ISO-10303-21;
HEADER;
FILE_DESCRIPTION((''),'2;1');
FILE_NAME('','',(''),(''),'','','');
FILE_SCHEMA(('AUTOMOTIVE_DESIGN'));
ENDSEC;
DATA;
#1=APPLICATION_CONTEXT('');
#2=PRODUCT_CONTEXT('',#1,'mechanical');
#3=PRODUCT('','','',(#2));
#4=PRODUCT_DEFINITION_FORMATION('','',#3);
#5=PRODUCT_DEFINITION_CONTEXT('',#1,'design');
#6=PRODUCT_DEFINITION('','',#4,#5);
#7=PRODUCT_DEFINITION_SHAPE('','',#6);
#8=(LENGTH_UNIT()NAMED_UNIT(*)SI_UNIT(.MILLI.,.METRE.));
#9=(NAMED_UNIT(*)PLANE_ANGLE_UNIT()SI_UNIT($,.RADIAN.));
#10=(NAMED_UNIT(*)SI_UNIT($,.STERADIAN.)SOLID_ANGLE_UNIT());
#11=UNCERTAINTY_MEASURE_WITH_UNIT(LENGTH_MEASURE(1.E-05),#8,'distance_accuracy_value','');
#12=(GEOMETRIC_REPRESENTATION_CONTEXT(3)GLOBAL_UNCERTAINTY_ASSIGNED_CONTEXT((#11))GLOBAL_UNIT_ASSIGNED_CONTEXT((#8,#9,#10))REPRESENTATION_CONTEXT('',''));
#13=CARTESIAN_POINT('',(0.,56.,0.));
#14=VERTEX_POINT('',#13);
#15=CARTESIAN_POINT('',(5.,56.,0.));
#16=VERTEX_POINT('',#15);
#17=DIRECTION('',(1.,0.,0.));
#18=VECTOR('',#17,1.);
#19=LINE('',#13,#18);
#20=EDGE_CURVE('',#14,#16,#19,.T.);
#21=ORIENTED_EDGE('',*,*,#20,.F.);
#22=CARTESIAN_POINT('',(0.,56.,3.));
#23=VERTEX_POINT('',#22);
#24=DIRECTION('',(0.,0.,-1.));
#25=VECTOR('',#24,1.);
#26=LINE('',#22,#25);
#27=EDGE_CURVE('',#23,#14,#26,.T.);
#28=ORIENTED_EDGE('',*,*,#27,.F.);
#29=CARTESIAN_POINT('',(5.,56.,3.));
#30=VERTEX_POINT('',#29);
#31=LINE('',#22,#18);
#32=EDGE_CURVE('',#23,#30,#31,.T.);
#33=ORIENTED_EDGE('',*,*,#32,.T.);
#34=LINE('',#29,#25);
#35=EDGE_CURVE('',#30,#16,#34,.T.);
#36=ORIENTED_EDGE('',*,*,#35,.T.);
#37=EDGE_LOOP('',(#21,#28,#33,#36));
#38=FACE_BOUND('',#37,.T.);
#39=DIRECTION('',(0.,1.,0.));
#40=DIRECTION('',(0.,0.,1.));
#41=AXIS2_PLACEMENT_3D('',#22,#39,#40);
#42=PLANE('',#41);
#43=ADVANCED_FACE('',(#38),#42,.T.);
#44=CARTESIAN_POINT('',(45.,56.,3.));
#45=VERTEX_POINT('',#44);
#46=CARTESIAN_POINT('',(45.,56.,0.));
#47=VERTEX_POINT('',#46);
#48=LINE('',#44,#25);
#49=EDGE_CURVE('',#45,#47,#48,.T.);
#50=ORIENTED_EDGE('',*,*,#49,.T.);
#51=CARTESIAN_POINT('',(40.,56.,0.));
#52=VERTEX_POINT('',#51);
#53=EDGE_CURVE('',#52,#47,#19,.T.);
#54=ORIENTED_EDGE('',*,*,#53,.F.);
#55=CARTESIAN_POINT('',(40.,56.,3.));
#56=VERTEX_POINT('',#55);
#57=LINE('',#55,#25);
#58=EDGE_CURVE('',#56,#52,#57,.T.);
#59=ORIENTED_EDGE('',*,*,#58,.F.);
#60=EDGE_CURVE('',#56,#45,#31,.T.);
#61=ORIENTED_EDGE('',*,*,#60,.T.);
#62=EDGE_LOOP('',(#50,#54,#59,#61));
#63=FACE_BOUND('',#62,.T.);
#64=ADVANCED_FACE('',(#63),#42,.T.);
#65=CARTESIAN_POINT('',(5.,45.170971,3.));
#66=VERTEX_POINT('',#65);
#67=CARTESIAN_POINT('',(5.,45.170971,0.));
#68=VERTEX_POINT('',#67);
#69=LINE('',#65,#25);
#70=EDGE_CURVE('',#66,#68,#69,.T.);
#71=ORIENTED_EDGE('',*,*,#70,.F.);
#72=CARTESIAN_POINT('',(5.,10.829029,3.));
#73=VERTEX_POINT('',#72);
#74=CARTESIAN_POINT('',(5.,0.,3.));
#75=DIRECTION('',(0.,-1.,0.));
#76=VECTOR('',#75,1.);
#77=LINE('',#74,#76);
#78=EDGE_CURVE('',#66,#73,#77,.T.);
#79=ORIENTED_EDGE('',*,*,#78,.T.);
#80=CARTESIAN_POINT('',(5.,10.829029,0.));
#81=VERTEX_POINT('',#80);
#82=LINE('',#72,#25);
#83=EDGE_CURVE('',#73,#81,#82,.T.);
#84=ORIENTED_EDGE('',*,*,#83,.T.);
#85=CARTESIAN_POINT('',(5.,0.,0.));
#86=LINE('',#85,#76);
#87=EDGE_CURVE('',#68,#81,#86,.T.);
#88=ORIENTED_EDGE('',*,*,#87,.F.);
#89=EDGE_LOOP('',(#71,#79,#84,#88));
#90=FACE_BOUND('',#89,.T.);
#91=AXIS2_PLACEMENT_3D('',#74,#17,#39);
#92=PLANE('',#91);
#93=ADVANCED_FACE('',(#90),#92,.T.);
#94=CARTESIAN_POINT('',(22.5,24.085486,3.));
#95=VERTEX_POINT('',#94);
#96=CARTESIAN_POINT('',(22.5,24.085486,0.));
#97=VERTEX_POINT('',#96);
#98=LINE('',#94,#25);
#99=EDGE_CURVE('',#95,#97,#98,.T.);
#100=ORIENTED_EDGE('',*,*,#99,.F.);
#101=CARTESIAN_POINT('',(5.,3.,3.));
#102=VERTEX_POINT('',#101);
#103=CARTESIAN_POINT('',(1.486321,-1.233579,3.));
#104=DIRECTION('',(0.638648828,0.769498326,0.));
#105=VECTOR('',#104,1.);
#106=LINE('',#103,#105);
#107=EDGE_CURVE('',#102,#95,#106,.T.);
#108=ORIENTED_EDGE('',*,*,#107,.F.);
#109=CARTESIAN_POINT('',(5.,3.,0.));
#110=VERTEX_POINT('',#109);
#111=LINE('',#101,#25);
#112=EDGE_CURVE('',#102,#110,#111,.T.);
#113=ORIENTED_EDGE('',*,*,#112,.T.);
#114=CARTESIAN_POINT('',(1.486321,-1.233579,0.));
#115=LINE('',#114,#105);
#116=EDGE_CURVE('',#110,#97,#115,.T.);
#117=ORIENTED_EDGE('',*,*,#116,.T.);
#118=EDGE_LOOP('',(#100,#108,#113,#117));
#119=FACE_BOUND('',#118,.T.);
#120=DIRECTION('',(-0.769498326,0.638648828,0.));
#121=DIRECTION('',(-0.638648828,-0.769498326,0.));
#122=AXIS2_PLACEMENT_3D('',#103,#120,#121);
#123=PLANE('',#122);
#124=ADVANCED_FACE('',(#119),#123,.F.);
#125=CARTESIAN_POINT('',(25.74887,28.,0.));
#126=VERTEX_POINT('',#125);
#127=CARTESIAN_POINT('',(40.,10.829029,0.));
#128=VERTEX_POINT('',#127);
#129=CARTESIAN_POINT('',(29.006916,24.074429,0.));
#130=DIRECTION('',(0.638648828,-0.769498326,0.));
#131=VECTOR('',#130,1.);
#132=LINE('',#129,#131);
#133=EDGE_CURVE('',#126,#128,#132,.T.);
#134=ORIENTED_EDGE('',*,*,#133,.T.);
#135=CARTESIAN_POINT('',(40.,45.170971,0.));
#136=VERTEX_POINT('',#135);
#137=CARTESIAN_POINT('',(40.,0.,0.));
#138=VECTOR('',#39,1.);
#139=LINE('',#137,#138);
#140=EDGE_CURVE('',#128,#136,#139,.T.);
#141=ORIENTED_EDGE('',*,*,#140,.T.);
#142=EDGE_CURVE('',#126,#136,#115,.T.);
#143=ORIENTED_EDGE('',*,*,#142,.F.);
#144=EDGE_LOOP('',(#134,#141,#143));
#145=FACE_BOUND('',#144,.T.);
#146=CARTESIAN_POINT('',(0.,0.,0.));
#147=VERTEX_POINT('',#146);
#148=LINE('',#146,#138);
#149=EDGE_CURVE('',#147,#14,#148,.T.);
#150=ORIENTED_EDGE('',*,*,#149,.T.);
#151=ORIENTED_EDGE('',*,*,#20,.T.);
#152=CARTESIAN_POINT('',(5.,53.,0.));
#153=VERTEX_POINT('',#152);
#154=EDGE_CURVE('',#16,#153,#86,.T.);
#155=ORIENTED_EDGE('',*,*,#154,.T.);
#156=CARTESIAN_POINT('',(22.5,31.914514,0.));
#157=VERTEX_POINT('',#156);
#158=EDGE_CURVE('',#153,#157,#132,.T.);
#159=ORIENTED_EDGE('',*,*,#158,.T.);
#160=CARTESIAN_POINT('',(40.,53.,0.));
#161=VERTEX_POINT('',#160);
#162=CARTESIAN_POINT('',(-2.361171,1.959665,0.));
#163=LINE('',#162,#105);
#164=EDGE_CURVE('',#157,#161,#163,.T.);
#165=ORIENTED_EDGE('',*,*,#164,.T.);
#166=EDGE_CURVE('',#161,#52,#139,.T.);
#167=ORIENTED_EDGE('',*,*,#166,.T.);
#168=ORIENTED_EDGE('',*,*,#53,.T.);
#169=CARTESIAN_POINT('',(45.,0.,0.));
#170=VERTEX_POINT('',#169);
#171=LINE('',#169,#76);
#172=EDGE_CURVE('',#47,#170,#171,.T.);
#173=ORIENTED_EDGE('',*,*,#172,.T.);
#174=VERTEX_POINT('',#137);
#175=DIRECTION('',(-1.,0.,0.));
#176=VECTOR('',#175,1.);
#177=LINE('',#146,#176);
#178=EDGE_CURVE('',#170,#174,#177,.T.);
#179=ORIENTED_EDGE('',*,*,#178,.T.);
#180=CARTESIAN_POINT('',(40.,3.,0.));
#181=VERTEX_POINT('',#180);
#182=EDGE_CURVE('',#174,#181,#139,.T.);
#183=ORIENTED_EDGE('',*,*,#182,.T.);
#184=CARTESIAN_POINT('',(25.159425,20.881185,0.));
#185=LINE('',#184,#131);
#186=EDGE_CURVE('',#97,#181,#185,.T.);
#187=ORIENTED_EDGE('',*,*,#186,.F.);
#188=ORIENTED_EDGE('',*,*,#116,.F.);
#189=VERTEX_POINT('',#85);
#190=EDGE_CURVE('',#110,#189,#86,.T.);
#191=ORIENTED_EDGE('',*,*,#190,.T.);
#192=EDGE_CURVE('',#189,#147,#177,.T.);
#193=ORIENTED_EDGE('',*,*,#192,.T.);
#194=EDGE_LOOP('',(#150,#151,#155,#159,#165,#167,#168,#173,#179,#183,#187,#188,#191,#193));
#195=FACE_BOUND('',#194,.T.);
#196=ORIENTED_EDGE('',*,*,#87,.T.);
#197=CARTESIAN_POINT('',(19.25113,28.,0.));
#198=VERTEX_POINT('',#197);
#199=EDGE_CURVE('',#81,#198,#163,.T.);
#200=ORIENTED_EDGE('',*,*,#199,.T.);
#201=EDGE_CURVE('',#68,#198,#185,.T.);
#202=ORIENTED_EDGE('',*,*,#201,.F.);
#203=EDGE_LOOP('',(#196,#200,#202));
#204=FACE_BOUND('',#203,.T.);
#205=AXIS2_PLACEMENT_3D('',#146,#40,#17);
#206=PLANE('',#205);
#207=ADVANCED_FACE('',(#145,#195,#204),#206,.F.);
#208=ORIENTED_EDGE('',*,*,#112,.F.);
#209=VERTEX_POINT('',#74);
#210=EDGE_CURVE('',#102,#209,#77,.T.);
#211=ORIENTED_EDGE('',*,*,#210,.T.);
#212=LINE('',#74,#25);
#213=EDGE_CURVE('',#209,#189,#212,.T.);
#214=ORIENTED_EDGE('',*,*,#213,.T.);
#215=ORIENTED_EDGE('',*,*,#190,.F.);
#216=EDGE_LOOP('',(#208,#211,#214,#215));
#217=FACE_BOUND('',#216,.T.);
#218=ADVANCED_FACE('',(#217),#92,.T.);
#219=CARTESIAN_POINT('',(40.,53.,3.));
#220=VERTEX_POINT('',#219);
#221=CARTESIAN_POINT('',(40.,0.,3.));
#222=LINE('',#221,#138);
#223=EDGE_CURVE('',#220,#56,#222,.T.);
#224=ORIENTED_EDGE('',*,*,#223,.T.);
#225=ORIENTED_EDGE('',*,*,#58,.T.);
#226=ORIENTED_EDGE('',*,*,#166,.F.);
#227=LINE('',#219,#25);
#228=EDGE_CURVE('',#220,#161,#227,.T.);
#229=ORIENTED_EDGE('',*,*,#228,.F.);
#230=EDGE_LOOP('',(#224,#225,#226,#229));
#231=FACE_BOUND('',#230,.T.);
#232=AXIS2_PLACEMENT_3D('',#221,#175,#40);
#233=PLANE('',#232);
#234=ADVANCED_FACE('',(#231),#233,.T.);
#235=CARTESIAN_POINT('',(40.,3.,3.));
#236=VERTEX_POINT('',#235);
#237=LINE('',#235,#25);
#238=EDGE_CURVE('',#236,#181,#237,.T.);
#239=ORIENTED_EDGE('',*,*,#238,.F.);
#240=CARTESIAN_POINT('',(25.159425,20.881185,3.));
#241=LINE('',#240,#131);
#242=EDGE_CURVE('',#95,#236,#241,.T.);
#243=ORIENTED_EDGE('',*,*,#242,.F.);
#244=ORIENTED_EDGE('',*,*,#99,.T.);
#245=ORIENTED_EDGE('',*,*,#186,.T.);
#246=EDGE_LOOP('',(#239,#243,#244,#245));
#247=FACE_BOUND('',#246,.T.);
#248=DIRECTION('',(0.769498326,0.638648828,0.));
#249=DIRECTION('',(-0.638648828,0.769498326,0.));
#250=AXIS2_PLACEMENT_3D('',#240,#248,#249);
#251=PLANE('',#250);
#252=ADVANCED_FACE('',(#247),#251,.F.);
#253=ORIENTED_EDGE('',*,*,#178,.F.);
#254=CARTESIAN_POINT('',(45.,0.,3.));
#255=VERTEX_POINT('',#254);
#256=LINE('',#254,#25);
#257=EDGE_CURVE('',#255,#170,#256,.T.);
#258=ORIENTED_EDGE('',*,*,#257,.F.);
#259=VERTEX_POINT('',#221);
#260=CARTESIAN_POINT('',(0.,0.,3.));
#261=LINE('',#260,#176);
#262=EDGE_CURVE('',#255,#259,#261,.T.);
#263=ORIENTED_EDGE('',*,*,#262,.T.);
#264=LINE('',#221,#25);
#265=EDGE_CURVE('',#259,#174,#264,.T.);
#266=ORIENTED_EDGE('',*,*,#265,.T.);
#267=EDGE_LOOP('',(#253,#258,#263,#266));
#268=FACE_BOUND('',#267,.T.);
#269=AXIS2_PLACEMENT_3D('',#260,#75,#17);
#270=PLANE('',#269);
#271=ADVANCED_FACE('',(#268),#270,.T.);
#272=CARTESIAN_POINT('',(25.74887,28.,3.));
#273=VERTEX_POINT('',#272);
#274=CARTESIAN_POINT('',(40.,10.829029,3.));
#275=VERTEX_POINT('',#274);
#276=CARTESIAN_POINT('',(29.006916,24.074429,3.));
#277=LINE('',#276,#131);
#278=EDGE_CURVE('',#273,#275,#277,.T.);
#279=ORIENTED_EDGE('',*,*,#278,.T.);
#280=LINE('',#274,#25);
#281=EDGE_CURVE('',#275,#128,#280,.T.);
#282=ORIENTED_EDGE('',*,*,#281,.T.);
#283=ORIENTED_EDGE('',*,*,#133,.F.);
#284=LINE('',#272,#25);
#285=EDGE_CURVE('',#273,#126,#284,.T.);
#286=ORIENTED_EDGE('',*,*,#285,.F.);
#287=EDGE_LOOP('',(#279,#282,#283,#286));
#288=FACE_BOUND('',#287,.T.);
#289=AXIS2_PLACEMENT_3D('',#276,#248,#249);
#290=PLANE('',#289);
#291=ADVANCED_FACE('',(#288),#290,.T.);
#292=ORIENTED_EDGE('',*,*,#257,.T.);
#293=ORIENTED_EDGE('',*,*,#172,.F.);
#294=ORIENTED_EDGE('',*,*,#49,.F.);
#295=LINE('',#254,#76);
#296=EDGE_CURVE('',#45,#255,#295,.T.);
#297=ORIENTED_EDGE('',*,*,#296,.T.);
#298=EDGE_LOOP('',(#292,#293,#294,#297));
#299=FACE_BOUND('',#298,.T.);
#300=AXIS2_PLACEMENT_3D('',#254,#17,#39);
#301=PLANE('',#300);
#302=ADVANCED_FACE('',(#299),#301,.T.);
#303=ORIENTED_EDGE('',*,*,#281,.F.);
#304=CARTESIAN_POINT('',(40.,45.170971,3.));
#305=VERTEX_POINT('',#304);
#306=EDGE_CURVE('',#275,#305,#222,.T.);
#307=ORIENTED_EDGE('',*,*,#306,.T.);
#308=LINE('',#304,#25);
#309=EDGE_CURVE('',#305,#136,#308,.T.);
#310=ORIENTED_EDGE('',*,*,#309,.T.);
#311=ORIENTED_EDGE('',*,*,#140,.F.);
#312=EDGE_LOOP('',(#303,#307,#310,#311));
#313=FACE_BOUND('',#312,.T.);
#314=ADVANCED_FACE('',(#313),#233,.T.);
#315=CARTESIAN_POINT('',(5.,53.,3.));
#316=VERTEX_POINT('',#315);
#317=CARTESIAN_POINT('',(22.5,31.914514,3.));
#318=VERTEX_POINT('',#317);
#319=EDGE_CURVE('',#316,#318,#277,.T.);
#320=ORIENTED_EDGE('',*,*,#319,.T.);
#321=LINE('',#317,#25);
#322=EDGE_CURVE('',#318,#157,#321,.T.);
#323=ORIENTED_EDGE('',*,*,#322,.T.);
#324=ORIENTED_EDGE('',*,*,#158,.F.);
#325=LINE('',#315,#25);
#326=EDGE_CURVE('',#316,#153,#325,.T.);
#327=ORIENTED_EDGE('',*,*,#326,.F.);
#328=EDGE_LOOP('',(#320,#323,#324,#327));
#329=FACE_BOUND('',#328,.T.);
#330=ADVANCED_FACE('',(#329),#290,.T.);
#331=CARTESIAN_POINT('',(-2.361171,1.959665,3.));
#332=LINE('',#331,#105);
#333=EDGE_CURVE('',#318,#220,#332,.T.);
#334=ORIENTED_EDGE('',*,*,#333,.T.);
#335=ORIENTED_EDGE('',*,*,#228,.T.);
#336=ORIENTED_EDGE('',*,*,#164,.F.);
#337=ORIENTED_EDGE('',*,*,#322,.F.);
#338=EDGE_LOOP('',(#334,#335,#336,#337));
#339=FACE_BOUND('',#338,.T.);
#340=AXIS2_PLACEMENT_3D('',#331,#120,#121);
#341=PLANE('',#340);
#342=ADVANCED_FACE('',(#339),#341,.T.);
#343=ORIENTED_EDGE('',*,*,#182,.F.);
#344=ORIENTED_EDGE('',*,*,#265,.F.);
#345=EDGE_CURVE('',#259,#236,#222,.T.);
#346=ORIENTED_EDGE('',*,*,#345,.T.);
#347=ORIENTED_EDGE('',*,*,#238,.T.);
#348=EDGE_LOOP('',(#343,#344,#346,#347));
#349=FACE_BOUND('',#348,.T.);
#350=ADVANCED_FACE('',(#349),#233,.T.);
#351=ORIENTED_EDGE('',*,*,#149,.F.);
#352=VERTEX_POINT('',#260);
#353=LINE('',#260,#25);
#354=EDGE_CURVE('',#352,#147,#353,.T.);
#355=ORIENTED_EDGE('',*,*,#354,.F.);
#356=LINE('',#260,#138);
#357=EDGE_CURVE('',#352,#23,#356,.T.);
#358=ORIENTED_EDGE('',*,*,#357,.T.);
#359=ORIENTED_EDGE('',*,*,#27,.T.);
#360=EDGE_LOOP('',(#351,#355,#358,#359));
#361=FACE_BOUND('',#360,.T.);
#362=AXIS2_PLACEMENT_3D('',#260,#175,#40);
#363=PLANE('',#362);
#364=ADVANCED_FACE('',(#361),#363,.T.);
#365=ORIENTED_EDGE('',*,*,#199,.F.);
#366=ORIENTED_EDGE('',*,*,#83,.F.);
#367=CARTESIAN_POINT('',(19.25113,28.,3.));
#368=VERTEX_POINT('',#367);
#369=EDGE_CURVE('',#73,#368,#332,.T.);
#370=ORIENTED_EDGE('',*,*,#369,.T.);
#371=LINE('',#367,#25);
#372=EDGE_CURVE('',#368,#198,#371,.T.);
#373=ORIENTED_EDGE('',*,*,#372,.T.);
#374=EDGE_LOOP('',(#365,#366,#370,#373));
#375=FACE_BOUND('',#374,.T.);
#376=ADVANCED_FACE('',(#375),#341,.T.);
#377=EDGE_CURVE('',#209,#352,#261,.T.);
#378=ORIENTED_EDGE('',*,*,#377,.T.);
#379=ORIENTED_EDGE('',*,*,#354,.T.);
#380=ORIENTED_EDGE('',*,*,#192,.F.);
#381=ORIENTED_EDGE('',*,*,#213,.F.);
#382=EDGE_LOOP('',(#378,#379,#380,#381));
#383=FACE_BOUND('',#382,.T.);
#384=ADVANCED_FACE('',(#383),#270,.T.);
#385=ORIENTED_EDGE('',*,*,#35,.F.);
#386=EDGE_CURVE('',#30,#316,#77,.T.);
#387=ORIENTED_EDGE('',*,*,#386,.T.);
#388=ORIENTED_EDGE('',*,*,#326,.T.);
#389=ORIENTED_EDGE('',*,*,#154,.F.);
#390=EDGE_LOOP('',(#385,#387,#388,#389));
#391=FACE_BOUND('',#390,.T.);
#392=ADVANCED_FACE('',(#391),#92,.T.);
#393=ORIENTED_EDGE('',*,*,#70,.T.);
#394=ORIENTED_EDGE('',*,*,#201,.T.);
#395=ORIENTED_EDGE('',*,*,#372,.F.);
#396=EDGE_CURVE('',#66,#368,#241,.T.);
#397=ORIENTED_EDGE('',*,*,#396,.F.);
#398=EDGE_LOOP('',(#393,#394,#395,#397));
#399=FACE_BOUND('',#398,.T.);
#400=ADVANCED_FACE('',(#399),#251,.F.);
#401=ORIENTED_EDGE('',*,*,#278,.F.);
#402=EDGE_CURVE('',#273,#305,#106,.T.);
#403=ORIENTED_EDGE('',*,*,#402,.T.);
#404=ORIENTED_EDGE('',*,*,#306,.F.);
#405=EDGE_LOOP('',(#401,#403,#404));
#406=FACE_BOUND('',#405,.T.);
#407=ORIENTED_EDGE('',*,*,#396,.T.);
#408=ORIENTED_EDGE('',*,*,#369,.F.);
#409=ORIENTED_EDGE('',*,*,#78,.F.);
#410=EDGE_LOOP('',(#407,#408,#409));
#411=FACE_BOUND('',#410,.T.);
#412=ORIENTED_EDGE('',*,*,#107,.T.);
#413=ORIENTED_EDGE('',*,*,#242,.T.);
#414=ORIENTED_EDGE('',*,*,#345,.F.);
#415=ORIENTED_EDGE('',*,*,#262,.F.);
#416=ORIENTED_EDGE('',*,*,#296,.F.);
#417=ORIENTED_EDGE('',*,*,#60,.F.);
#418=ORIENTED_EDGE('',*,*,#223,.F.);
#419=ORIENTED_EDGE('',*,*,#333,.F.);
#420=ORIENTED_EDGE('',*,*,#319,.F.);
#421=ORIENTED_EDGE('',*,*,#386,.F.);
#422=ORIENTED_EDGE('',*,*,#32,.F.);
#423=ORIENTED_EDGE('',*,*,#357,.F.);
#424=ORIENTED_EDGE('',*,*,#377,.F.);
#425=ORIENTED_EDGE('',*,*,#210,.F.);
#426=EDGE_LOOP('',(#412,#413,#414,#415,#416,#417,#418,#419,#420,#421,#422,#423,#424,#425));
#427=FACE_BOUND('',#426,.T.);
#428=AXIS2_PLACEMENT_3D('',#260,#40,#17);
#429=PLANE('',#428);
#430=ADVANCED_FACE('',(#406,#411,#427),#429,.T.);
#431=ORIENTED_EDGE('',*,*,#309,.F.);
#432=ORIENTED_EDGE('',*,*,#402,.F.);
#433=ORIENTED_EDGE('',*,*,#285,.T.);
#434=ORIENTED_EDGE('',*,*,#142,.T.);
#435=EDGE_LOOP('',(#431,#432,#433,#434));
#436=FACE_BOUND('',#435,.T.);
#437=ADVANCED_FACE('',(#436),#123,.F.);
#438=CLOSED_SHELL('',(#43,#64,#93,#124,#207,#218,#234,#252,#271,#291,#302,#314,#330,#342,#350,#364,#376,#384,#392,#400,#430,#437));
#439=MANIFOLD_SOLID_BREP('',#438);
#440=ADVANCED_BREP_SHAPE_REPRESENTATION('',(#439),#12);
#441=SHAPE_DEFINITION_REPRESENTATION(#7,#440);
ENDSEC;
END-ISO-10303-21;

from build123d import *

# Parameters (mm, degrees)
BOSS_EXTRUDE1_DEPTH = 3


with BuildPart() as part:
    # Sketch1 → Boss-Extrude1 (new body)
    with BuildSketch(Plane.XY):
        Polygon((0, 56), (0, 28), (5, 28), (5, 45.17097131), (5, 53), (5, 56), align=None)
        Polygon((5, 53), (5, 45.17097131), (19.251130035, 28), (22.5, 31.914514345), align=None)
        Polygon((0, 28), (0, 0), (5, 0), (5, 3), (5, 10.82902869), (5, 28), align=None)
        Polygon((5, 10.82902869), (5, 3), (22.5, 24.085485655), (19.251130035, 28), align=None)
        Polygon((25.748869965, 28), (19.251130035, 28), (22.5, 24.085485655), align=None)
        Polygon((22.5, 31.914514345), (25.748869965, 28), (40, 45.17097131), (40, 53), align=None)
        Polygon((40, 45.17097131), (40, 28), (45, 28), (45, 56), (40, 56), (40, 53), align=None)
        Polygon((40, 10.82902869), (40, 3), (40, 0), (45, 0), (45, 28), (40, 28), align=None)
        Polygon((25.748869965, 28), (22.5, 24.085485655), (40, 3), (40, 10.82902869), align=None)
        Polygon((22.5, 31.914514345), (19.251130035, 28), (25.748869965, 28), align=None)
    extrude(amount=BOSS_EXTRUDE1_DEPTH)


solid = part.part
